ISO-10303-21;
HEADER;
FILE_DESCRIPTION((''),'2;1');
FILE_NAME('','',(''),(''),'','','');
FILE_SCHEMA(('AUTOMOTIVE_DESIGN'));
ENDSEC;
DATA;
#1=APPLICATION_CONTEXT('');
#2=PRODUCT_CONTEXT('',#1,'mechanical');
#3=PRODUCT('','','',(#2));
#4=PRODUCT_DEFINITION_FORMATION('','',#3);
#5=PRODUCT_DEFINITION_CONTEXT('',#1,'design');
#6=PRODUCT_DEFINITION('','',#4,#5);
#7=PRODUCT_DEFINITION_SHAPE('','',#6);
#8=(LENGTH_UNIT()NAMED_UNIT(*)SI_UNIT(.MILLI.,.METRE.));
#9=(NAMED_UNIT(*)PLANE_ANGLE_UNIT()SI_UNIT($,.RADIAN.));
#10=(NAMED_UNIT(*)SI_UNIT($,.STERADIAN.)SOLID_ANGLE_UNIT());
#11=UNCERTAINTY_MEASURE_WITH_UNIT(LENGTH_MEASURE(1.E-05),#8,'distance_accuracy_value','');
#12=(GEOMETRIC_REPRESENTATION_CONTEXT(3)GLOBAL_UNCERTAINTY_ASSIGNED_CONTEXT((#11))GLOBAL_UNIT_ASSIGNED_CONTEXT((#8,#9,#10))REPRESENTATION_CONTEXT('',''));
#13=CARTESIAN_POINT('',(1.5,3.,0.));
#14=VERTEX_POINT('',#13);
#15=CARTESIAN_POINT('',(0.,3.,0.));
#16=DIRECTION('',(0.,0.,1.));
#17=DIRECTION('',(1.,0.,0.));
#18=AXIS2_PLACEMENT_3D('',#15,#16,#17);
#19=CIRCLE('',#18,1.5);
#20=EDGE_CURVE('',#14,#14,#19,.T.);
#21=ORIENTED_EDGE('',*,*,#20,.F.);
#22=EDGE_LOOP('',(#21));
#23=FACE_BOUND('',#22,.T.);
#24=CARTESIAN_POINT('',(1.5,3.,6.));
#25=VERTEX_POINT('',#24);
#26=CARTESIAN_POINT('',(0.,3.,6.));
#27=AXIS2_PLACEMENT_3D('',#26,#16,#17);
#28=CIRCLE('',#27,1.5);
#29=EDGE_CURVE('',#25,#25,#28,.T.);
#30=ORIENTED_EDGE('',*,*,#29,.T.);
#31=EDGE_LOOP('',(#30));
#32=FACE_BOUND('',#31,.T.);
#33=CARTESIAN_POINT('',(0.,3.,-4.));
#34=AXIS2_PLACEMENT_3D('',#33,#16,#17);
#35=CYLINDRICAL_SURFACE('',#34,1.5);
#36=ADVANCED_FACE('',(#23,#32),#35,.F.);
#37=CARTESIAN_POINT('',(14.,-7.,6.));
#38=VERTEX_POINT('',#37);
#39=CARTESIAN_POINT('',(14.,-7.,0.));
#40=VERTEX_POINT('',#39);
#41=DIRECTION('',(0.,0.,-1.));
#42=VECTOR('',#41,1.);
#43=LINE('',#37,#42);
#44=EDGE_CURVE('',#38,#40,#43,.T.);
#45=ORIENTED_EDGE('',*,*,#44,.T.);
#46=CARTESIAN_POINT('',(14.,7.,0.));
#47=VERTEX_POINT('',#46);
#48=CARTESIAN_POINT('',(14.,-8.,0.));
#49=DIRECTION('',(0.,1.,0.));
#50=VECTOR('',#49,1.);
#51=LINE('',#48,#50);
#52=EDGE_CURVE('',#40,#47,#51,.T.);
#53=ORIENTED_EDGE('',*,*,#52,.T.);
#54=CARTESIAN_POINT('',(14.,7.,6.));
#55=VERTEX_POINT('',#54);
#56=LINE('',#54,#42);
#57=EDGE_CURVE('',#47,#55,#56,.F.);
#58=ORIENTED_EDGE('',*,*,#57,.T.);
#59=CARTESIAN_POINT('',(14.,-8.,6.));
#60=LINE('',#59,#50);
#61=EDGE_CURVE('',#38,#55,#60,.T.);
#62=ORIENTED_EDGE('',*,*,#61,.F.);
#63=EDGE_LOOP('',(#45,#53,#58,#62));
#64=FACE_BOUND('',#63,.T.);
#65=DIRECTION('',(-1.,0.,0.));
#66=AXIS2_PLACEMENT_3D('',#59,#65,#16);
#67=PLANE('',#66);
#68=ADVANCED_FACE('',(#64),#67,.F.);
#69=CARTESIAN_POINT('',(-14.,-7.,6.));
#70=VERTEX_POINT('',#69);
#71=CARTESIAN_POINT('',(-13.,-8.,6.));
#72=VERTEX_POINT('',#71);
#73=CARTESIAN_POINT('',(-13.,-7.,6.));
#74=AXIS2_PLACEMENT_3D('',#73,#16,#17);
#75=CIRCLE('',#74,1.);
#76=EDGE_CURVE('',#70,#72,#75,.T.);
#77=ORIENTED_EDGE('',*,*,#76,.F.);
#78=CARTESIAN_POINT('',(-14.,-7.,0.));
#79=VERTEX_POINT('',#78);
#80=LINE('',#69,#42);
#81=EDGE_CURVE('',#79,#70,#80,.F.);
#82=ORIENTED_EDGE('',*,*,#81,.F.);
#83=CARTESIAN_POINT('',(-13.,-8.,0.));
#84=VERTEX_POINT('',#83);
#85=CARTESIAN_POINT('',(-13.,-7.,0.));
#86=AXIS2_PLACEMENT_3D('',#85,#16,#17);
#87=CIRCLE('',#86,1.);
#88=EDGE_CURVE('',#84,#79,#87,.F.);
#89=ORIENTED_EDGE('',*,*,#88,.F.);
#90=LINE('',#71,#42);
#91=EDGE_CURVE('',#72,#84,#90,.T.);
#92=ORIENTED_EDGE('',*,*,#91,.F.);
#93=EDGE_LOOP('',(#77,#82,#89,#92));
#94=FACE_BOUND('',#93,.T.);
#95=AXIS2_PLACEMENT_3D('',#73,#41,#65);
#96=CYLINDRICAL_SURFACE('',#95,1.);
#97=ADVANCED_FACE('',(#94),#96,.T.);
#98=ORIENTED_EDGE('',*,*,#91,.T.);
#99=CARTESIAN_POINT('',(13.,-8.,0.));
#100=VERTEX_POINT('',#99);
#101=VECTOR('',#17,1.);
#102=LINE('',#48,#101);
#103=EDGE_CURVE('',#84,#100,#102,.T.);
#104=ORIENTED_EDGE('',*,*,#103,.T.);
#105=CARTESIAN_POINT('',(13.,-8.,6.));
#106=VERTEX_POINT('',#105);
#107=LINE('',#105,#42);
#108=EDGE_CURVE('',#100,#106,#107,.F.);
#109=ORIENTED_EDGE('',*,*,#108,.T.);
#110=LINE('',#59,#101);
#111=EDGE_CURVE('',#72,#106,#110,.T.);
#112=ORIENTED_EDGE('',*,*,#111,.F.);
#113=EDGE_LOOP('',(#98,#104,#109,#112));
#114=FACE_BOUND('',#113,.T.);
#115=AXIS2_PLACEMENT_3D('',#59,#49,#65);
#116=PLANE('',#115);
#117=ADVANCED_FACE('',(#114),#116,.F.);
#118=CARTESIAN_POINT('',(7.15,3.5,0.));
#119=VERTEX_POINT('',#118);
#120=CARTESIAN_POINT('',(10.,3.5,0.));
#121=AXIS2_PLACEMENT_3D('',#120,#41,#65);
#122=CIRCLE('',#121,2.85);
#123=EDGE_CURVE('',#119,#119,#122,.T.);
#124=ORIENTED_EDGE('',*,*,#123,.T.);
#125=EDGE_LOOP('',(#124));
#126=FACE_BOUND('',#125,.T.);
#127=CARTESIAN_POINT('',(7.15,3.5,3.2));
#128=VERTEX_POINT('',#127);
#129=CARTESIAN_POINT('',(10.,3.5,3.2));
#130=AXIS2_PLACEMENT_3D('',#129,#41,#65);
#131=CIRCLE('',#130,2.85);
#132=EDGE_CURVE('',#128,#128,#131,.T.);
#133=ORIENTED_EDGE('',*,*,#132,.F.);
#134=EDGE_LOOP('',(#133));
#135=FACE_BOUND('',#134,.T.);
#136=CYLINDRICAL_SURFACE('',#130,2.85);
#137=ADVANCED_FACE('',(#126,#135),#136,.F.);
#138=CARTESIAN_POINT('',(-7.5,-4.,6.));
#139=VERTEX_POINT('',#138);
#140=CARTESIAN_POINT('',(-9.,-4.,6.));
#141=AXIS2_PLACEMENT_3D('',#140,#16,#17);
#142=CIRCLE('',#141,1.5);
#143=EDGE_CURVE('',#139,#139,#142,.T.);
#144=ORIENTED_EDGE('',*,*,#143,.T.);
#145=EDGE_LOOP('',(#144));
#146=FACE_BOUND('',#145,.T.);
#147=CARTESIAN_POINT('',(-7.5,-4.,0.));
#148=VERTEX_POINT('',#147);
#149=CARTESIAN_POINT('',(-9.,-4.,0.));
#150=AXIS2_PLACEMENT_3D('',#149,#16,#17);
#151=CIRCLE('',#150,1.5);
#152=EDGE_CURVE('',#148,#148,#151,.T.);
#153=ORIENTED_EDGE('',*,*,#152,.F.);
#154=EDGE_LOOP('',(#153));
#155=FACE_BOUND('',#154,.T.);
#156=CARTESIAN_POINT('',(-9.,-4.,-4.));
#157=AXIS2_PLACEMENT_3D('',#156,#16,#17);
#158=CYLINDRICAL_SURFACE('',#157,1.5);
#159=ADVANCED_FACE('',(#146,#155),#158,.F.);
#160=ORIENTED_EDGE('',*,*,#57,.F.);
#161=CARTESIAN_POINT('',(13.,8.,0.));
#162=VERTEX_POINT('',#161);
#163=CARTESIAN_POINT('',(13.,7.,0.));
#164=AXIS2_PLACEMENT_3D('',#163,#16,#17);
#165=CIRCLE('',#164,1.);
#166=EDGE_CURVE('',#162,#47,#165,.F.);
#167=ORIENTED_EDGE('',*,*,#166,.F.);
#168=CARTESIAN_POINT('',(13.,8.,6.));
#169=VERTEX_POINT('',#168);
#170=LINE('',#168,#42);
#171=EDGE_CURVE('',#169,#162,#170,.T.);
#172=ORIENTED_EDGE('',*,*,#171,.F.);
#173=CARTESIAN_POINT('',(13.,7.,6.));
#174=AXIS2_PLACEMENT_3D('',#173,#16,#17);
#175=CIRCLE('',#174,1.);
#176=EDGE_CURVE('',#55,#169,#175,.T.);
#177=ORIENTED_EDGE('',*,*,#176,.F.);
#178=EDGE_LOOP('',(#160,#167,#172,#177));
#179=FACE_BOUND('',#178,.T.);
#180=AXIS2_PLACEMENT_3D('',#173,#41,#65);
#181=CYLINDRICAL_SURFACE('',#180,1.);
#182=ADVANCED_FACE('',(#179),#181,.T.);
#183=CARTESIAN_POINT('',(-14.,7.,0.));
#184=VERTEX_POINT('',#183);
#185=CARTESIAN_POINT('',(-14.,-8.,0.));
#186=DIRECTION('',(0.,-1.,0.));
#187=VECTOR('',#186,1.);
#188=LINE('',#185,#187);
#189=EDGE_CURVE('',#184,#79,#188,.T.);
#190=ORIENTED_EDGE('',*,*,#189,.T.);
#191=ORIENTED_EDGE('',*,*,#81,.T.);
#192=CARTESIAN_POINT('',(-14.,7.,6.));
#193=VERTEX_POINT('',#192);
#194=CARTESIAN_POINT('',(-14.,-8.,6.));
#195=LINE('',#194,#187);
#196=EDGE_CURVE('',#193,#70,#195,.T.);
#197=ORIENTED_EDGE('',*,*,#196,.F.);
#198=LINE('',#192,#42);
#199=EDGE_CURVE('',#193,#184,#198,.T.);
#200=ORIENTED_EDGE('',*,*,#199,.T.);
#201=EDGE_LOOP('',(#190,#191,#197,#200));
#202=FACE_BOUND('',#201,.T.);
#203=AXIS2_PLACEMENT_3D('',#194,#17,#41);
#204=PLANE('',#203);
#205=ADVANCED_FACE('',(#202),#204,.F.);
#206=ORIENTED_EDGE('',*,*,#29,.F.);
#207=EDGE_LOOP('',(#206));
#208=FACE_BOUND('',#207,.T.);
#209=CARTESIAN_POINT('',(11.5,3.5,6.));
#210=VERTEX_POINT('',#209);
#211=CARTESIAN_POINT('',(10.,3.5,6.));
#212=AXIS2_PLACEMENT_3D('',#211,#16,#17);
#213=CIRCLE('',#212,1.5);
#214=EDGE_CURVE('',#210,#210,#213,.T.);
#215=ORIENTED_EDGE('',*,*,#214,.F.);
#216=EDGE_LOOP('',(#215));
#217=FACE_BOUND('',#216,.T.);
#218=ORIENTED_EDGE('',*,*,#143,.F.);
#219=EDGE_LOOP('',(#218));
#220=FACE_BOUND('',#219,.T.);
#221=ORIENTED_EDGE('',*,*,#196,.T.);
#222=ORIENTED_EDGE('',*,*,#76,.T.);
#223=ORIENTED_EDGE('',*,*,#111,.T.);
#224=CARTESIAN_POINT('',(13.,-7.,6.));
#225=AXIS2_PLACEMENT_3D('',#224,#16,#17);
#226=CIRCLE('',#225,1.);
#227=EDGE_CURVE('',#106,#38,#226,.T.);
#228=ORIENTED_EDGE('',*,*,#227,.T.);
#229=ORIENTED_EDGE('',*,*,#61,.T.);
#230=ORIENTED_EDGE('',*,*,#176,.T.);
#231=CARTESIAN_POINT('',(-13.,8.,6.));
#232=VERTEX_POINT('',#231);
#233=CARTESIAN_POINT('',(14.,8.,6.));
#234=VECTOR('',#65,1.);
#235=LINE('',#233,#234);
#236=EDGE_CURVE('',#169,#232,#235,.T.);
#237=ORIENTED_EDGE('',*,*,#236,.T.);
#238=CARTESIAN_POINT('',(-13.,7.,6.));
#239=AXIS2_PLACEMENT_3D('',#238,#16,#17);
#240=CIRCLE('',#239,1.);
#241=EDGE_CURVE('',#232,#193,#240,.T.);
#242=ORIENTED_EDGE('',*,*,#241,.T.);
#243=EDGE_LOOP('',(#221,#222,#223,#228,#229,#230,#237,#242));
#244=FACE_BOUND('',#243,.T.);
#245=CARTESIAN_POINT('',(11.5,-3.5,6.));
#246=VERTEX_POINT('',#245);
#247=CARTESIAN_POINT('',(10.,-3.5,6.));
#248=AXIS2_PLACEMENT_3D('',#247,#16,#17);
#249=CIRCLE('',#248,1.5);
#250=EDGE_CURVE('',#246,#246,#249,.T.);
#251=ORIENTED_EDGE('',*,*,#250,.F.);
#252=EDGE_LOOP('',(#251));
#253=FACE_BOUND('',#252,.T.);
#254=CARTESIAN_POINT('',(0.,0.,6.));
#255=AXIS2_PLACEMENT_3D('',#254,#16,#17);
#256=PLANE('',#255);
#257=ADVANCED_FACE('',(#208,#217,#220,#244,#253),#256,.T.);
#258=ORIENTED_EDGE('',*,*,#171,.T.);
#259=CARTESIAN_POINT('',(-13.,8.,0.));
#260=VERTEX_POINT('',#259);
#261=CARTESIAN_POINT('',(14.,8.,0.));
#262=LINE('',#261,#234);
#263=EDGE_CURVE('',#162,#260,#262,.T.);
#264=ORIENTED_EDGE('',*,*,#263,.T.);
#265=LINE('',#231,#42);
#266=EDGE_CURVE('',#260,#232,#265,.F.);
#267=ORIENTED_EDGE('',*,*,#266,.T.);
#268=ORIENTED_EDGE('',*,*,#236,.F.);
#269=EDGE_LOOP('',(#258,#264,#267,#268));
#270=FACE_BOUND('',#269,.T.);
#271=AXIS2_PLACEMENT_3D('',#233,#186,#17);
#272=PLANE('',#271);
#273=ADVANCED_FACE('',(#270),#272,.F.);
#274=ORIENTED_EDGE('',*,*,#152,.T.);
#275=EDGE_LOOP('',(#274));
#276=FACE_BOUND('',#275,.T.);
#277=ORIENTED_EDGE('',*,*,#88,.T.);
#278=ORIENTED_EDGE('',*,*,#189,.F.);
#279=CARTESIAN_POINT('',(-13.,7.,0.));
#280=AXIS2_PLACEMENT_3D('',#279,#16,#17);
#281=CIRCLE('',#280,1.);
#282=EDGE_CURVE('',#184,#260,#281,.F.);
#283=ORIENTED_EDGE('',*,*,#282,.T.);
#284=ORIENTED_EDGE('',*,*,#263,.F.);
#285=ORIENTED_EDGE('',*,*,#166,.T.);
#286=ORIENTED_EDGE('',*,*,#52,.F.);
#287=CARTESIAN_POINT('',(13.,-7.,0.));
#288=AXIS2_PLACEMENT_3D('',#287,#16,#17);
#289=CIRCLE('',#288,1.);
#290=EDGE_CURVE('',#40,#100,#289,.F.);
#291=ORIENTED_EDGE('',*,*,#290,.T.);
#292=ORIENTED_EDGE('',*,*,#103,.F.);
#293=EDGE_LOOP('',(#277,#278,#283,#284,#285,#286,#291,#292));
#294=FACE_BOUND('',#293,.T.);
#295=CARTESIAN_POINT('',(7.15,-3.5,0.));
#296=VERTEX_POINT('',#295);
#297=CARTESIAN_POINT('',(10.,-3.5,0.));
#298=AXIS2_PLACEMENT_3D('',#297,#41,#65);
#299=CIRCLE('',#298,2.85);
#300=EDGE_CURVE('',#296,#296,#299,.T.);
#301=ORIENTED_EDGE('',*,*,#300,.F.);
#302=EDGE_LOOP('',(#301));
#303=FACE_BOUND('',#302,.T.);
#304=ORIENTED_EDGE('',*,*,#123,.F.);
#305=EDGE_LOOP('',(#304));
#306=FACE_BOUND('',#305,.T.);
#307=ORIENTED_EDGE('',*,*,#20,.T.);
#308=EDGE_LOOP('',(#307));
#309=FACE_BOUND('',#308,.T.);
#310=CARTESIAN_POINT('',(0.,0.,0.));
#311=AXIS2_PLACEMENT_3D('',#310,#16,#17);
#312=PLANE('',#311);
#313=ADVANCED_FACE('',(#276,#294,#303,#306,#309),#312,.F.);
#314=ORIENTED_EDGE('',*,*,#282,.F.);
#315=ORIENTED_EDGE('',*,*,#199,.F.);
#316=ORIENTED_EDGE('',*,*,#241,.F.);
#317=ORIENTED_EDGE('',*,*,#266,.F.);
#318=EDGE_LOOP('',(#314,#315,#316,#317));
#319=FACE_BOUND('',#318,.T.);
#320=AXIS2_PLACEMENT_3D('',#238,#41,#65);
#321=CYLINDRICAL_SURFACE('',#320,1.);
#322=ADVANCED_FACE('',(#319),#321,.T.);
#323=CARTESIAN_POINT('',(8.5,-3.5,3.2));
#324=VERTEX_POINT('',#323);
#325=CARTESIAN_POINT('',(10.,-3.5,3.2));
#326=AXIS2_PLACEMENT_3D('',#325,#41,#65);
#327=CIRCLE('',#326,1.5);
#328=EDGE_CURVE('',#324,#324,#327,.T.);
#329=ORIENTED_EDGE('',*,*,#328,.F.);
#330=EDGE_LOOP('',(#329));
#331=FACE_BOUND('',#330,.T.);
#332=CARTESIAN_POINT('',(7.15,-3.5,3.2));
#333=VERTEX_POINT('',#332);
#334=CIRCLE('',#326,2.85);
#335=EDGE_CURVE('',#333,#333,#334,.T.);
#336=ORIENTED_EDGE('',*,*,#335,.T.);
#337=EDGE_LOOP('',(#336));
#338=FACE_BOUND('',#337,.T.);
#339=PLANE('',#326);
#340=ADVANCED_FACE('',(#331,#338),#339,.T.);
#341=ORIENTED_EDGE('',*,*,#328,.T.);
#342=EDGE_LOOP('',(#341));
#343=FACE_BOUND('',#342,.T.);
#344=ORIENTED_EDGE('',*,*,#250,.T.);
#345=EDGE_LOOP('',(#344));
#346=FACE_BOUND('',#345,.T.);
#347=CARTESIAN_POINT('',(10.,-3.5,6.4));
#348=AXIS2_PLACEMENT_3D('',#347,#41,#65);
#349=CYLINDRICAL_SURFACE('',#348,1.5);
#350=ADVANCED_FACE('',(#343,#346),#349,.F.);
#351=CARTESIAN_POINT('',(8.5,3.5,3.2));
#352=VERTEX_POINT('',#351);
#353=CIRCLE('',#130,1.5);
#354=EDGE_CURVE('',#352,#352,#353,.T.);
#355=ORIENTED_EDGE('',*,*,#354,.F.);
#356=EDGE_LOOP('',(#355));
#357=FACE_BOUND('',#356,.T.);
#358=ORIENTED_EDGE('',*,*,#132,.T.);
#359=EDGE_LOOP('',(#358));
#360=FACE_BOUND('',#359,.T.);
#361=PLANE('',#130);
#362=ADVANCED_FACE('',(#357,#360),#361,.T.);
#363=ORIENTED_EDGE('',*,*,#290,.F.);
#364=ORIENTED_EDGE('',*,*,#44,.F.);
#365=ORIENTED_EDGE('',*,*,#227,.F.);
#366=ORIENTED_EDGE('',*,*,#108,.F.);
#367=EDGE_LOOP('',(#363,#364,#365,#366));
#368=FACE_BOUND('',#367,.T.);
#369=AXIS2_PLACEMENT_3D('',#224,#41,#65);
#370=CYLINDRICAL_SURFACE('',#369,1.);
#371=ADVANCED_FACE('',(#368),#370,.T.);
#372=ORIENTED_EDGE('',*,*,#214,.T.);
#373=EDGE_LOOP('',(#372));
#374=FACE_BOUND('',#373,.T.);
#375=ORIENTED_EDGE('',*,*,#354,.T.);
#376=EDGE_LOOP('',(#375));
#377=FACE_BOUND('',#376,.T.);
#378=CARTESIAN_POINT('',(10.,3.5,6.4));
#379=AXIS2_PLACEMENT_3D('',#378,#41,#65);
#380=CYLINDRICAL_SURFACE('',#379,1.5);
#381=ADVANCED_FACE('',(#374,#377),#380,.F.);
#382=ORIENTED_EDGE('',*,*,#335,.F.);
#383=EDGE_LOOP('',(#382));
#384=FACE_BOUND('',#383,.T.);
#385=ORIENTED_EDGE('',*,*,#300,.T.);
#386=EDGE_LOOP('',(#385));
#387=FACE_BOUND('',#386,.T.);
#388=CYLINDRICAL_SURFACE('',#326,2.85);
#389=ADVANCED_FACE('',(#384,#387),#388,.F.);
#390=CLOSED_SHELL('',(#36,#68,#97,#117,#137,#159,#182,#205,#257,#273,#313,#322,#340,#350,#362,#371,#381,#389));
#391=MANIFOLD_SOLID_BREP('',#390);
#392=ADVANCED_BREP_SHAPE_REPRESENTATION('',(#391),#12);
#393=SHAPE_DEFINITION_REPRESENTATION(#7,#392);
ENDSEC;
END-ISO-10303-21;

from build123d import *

# Parameters (mm, degrees)
SKETCH_1_W          = 28
SKETCH_1_H          = 16
EXTRUDE_1_DEPTH     = 6
SKETCH_2_R          = 2.85
CUT_EXTRUDE_1_DEPTH = 3.2
SKETCH_3_R          = 1.5
CUT_EXTRUDE_2_DEPTH = 3.2
FILLET_1_R          = 1
SKETCH_4_R          = 1.5
CUT_EXTRUDE_3_DEPTH = 10


with BuildPart() as part:
    # 草图1 → 凸台-拉伸1 (new body)
    with BuildSketch(Plane.XY):
        Rectangle(SKETCH_1_W, SKETCH_1_H)
    extrude(amount=EXTRUDE_1_DEPTH)

    # 草图2 → 切除-拉伸1 (cut)
    with BuildSketch(Plane(origin=(0, 0, 0), x_dir=(-1, 0, 0), z_dir=(0, 0, -1))):
        with Locations((-10, 3.5)):
            Circle(SKETCH_2_R)
        with Locations((-10, -3.5)):
            Circle(SKETCH_2_R)
    extrude(amount=-CUT_EXTRUDE_1_DEPTH, mode=Mode.SUBTRACT)

    # 草图3 → 切除-拉伸2 (cut)
    with BuildSketch(Plane(origin=(0, 0, 3.2), x_dir=(-1, 0, 0), z_dir=(0, 0, -1))):
        with Locations((-10, 3.5)):
            Circle(SKETCH_3_R)
        with Locations((-10, -3.5)):
            Circle(SKETCH_3_R)
    extrude(amount=-CUT_EXTRUDE_2_DEPTH, mode=Mode.SUBTRACT)

    # 圆角1
    fillet_1_edges = [part.edges().sort_by_distance(p)[0] for p in [
        (-14, 8, 3),
        (14, 8, 3),
        (14, -8, 3),
        (-14, -8, 3),
    ]]
    fillet(fillet_1_edges, radius=FILLET_1_R)

    # 草图4 → 切除-拉伸3 (cut)
    with BuildSketch(Plane.XY.offset(6)):
        with Locations((0, 3)):
            Circle(SKETCH_4_R)
        with Locations((-9, -4)):
            Circle(SKETCH_4_R)
    extrude(amount=-CUT_EXTRUDE_3_DEPTH, mode=Mode.SUBTRACT)


solid = part.part
